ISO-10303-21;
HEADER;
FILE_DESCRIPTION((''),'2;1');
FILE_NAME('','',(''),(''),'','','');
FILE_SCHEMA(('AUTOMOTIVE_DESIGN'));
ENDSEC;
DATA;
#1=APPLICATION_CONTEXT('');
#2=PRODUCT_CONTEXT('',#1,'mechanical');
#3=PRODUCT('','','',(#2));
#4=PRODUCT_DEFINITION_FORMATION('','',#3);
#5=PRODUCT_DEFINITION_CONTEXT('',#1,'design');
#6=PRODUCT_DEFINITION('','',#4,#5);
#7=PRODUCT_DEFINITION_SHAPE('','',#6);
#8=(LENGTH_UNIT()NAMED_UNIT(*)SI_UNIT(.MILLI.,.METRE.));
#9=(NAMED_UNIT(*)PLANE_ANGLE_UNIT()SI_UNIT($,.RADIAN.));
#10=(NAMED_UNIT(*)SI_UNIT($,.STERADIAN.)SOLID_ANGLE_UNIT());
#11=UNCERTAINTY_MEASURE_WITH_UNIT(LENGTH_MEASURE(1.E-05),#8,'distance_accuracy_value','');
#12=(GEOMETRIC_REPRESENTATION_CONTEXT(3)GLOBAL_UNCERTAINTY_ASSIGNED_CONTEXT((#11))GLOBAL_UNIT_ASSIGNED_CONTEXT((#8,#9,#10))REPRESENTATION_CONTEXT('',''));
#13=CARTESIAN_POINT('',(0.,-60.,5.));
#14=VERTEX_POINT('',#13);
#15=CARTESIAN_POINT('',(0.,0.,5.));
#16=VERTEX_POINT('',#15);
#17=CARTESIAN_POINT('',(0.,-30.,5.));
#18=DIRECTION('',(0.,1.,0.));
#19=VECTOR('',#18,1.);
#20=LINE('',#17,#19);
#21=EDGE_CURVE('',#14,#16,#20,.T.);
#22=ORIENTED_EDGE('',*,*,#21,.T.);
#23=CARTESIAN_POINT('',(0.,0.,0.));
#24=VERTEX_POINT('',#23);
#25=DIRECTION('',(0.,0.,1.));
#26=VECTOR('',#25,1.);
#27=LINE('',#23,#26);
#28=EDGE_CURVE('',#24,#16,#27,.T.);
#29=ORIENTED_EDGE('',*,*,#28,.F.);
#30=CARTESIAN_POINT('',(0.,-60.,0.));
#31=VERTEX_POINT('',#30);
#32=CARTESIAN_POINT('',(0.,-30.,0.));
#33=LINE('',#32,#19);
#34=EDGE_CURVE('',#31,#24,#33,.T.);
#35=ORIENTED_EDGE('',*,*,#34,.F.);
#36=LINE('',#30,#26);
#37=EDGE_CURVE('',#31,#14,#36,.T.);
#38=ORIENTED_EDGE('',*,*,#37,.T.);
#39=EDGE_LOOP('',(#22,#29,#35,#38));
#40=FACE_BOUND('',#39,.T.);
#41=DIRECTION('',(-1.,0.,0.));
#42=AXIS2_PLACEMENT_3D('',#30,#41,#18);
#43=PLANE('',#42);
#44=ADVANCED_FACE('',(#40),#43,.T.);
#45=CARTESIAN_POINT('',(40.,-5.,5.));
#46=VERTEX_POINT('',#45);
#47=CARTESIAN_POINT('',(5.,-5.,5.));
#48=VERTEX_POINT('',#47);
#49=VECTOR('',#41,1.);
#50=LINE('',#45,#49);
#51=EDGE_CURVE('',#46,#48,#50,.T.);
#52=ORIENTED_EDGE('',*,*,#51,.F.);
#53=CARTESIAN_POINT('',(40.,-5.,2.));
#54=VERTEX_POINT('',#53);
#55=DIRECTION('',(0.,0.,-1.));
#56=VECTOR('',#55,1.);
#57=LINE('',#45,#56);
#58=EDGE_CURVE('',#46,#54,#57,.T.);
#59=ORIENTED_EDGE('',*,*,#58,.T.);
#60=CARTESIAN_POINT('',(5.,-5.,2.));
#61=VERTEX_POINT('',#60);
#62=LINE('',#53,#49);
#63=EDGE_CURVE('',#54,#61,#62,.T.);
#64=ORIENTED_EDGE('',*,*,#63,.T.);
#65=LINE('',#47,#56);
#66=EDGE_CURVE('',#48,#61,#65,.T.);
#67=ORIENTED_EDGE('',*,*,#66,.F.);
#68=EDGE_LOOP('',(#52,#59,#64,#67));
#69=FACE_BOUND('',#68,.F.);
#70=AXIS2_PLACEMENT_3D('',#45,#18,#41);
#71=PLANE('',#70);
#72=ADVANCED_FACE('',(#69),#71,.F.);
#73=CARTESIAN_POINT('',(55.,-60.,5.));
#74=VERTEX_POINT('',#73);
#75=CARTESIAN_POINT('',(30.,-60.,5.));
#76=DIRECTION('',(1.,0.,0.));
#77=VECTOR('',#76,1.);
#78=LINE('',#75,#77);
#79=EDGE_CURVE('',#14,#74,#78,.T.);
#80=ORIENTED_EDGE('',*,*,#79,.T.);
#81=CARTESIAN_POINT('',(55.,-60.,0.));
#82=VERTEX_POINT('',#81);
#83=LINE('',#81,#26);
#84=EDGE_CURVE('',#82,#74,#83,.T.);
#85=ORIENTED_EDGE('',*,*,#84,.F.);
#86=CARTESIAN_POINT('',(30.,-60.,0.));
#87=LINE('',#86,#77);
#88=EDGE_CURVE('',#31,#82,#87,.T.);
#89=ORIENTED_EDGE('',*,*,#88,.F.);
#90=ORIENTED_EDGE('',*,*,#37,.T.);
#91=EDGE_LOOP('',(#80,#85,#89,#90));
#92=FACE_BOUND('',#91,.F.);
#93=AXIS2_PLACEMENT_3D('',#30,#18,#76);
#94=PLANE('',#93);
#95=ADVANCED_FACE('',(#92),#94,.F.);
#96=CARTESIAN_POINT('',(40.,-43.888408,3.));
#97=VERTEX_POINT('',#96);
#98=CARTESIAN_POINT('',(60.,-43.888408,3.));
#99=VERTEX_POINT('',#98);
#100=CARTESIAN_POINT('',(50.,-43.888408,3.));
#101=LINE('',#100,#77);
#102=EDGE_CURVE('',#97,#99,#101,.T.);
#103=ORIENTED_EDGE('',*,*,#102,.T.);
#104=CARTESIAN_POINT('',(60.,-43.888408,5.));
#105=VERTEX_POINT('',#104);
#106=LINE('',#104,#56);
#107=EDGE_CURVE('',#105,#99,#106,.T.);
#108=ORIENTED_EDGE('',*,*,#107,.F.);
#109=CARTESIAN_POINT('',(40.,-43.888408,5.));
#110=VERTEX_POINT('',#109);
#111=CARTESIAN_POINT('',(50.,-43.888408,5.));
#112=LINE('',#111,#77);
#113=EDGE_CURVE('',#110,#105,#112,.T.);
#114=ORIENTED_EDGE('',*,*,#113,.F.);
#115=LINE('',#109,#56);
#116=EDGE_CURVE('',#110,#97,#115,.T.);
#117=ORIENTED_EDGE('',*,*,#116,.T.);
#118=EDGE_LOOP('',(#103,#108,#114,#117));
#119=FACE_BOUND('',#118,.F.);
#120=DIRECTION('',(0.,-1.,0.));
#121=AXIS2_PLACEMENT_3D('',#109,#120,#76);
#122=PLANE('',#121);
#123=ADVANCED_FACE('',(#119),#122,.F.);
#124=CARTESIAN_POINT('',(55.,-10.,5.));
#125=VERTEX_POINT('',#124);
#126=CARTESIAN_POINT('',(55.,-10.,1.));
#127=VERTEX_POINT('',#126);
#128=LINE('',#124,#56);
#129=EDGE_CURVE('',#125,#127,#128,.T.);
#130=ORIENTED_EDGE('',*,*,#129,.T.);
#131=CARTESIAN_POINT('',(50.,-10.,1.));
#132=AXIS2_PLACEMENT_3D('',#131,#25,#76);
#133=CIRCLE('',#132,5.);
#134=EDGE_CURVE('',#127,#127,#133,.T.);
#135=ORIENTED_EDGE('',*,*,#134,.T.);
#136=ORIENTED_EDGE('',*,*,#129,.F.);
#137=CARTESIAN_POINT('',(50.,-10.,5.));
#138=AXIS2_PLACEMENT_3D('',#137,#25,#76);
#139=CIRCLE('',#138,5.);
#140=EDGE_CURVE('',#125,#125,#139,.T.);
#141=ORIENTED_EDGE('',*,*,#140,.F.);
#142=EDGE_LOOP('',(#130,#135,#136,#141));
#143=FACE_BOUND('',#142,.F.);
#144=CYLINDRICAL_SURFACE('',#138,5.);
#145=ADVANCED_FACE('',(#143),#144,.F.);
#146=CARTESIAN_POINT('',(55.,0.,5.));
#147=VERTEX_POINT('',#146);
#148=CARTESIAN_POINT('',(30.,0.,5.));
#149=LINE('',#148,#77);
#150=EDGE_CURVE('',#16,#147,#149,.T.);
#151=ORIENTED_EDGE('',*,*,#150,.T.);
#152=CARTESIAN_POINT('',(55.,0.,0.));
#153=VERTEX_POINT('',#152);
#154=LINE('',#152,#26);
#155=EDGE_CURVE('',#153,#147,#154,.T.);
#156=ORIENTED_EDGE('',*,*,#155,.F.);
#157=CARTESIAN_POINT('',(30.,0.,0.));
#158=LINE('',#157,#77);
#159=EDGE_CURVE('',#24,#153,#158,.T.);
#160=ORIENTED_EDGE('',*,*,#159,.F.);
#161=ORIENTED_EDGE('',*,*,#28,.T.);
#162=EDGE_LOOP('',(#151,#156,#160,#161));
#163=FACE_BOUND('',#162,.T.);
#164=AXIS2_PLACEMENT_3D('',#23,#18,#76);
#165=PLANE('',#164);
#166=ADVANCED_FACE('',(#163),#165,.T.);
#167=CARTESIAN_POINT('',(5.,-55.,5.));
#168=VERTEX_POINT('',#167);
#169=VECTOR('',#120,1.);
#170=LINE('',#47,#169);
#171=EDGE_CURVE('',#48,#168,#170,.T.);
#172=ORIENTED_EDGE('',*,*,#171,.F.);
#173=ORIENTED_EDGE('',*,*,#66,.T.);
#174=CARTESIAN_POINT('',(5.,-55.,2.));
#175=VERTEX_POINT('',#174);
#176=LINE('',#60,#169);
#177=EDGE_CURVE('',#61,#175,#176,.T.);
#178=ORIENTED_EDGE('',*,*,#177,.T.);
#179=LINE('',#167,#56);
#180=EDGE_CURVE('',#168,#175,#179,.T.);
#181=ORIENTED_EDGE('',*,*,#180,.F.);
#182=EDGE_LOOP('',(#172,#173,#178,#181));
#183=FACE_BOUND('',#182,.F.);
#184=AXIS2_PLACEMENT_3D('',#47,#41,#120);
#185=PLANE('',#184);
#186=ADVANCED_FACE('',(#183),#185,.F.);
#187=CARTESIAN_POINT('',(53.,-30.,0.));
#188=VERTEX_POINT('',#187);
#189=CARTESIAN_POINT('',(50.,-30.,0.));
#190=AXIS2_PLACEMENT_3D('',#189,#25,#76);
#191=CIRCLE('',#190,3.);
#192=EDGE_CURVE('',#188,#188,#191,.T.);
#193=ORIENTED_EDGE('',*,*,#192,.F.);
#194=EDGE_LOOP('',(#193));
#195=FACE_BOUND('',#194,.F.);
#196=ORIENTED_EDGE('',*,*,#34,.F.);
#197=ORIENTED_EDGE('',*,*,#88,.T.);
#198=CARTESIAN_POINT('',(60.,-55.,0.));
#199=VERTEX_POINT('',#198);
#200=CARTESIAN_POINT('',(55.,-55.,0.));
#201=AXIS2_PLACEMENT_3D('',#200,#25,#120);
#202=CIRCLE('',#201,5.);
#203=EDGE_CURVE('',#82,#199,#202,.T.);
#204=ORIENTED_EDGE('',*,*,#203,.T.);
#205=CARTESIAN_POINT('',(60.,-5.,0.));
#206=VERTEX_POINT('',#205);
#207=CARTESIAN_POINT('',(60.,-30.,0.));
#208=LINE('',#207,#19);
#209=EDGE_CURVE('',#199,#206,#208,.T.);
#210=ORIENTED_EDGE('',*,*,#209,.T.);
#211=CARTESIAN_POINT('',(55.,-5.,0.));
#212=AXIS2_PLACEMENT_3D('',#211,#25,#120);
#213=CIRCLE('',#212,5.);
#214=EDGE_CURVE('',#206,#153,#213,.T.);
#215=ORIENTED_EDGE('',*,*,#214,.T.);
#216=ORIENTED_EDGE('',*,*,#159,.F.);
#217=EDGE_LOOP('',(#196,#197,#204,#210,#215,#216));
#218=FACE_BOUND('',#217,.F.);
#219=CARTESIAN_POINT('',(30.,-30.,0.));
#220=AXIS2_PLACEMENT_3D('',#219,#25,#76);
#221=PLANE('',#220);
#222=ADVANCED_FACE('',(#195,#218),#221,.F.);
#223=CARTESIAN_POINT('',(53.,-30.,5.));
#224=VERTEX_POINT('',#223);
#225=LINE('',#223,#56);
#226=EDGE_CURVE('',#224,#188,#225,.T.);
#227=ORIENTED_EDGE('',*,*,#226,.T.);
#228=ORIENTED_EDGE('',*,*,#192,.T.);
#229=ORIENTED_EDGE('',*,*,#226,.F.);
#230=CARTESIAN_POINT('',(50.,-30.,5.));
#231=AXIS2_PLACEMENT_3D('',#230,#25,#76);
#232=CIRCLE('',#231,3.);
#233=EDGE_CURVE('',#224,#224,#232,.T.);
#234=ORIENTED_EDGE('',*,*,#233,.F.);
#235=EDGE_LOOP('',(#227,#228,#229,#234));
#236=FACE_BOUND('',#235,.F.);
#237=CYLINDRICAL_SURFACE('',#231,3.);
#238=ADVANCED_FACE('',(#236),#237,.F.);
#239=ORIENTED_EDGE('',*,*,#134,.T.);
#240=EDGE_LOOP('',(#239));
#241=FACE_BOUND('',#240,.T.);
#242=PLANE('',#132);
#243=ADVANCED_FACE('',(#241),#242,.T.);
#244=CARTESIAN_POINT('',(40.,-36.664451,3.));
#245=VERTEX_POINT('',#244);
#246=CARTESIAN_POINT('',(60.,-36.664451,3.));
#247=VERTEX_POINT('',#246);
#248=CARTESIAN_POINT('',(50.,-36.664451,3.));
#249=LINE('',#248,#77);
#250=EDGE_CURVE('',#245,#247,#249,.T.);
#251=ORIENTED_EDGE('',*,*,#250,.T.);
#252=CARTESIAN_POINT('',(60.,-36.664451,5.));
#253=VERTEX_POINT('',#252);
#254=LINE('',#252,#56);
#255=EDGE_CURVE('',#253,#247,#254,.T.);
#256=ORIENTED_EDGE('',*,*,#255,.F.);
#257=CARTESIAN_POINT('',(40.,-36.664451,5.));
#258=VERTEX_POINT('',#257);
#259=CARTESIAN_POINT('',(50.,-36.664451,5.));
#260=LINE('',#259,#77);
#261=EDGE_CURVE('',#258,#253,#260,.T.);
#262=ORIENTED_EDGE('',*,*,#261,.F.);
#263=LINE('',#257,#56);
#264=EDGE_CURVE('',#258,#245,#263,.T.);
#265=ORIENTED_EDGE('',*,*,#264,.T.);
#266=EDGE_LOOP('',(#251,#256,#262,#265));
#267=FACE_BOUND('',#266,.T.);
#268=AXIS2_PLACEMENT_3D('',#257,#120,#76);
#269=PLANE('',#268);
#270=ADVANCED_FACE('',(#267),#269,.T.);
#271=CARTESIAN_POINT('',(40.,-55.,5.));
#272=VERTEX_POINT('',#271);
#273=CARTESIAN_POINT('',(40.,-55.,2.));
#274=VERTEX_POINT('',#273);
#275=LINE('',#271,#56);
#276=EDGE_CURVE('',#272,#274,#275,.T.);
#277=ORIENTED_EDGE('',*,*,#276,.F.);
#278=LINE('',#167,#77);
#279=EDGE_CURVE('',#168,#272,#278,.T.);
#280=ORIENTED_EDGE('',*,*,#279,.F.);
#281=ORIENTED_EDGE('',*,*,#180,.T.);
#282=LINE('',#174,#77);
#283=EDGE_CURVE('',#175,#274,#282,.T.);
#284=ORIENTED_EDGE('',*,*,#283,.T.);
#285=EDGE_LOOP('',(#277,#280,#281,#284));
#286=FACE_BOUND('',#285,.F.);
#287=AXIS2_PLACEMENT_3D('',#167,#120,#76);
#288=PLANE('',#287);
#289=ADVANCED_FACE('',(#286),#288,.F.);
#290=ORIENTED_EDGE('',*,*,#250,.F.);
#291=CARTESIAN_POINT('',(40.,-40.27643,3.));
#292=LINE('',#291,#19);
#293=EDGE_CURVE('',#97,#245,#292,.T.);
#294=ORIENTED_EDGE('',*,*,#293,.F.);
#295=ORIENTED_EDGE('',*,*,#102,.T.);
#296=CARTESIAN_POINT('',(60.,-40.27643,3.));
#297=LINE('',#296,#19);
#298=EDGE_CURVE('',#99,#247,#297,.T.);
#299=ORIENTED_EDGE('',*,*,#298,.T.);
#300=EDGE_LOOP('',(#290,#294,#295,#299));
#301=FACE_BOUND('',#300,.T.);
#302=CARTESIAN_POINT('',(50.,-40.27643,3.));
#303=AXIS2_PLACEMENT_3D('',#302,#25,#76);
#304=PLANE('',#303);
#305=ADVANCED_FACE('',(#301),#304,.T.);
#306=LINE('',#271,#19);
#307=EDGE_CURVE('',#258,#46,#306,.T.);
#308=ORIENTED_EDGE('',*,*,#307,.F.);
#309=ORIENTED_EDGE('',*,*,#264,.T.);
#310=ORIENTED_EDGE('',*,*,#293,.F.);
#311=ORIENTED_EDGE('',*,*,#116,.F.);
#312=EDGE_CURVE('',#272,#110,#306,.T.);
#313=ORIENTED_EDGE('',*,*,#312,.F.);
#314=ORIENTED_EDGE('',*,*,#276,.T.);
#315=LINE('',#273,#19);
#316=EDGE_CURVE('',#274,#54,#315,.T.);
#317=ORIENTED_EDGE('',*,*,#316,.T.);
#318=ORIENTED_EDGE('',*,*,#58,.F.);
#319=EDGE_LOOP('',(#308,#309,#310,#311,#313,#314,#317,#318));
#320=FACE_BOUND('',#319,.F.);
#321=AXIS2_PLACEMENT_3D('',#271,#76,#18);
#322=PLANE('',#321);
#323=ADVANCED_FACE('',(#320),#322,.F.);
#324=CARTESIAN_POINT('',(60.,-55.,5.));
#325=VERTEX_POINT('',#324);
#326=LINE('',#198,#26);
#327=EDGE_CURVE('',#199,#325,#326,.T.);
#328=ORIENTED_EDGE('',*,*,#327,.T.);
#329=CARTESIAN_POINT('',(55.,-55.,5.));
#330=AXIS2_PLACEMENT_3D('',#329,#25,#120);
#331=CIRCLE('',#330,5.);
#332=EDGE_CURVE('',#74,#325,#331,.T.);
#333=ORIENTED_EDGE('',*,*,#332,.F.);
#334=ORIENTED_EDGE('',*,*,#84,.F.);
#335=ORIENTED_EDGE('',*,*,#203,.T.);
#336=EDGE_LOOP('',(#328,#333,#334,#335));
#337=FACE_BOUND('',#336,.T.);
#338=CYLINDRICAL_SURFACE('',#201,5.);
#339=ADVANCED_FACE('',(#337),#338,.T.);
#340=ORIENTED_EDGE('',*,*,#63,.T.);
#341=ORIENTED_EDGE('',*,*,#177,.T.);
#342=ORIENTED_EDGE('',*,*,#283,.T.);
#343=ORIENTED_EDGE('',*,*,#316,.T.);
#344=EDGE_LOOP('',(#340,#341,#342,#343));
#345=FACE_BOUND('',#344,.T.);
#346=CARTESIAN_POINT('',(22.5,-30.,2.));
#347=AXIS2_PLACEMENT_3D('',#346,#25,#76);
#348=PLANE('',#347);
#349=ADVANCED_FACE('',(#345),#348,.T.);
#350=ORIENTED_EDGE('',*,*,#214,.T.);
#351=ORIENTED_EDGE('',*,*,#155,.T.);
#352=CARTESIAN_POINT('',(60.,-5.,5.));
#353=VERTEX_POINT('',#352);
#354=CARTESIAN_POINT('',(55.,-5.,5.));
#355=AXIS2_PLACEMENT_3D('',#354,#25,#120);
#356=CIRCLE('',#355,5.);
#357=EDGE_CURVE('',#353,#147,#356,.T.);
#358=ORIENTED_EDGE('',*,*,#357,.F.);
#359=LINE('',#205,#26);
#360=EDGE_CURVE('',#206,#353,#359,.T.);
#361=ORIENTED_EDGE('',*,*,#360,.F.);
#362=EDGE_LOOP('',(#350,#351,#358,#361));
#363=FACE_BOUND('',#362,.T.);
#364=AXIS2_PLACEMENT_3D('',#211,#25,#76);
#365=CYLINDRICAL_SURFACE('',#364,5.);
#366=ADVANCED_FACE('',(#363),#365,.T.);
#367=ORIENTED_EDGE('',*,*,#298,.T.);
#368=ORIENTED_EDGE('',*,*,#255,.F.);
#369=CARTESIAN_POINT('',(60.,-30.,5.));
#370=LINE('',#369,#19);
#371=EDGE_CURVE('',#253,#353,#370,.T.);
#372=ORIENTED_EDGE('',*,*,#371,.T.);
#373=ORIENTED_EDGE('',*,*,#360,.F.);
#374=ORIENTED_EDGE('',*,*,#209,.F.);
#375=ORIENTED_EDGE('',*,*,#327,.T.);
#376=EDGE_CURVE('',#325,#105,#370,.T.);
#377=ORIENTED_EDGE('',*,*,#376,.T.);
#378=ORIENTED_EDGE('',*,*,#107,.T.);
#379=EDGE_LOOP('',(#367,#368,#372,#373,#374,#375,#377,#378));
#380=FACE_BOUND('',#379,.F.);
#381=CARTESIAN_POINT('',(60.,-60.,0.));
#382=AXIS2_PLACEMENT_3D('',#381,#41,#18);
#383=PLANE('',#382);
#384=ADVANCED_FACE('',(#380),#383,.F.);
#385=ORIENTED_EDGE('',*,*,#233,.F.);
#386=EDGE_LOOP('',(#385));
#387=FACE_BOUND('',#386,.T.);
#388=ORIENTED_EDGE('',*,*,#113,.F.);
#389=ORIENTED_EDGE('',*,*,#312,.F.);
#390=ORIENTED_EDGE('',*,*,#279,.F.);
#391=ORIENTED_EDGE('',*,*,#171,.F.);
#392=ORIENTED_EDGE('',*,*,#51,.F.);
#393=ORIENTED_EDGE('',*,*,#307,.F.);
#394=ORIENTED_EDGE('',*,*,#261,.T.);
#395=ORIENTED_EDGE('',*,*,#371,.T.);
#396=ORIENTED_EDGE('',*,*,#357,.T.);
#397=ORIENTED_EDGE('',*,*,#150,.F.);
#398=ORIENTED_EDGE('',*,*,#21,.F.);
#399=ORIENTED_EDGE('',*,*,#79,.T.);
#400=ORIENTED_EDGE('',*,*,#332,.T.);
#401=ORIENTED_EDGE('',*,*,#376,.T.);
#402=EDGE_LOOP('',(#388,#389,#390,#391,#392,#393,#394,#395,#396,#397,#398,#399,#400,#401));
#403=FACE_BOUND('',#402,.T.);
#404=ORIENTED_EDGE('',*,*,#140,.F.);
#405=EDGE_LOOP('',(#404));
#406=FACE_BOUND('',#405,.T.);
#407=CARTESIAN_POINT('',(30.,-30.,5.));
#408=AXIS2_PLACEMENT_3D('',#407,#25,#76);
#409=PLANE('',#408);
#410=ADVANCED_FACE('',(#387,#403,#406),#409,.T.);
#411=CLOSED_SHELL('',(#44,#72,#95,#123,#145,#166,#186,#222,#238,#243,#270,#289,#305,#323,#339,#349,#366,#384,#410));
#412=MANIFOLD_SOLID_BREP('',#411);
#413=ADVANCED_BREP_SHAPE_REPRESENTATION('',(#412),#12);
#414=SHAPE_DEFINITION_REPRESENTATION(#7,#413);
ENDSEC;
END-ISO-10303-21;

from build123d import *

# Parameters (mm, degrees)
F0_W     = 60
F0_H     = 60
F1_DEPTH = 5
F2_R     = 5
F4_DEPTH = 3
F3_R     = 5
F5_DEPTH = 4
F3_R_2   = 3
F6_DEPTH = 5
F3_W     = 20
F3_H     = 7.223957
F7_DEPTH = 2


with BuildPart() as f1:
    # F0 (on Top) → F1 (new body)
    with BuildSketch(Plane.XY):
        with Locations((30, -30)):
            Rectangle(F0_W, F0_H)
    extrude(amount=F1_DEPTH)

    # F2
    f2_edges = [f1.edges().sort_by_distance(p)[0] for p in [
        (60, 0, 2.5),
        (60, -60, 2.5),
    ]]
    fillet(f2_edges, radius=F2_R)

    # F3 (on face) → F4 (cut)
    with BuildSketch(Plane.XY.offset(5)):
        Polygon((40, -5), (5, -5), (5, -55), (40, -55), (40, -43.888409), (40, -36.664452), align=None)
    extrude(amount=-F4_DEPTH, mode=Mode.SUBTRACT)

    # F3 (on face) → F5 (cut)
    with BuildSketch(Plane.XY.offset(5)):
        with Locations((50, -10)):
            Circle(F3_R)
    extrude(amount=-F5_DEPTH, mode=Mode.SUBTRACT)

    # F3 (on face) → F6 (cut)
    with BuildSketch(Plane.XY.offset(5)):
        with Locations((50, -30)):
            Circle(F3_R_2)
    extrude(amount=-F6_DEPTH, mode=Mode.SUBTRACT)

    # F3 (on face) → F7 (cut)
    with BuildSketch(Plane.XY.offset(5)):
        with Locations((50, -40.27643)):
            Rectangle(F3_W, F3_H)
    extrude(amount=-F7_DEPTH, mode=Mode.SUBTRACT)


solid = f1.part
